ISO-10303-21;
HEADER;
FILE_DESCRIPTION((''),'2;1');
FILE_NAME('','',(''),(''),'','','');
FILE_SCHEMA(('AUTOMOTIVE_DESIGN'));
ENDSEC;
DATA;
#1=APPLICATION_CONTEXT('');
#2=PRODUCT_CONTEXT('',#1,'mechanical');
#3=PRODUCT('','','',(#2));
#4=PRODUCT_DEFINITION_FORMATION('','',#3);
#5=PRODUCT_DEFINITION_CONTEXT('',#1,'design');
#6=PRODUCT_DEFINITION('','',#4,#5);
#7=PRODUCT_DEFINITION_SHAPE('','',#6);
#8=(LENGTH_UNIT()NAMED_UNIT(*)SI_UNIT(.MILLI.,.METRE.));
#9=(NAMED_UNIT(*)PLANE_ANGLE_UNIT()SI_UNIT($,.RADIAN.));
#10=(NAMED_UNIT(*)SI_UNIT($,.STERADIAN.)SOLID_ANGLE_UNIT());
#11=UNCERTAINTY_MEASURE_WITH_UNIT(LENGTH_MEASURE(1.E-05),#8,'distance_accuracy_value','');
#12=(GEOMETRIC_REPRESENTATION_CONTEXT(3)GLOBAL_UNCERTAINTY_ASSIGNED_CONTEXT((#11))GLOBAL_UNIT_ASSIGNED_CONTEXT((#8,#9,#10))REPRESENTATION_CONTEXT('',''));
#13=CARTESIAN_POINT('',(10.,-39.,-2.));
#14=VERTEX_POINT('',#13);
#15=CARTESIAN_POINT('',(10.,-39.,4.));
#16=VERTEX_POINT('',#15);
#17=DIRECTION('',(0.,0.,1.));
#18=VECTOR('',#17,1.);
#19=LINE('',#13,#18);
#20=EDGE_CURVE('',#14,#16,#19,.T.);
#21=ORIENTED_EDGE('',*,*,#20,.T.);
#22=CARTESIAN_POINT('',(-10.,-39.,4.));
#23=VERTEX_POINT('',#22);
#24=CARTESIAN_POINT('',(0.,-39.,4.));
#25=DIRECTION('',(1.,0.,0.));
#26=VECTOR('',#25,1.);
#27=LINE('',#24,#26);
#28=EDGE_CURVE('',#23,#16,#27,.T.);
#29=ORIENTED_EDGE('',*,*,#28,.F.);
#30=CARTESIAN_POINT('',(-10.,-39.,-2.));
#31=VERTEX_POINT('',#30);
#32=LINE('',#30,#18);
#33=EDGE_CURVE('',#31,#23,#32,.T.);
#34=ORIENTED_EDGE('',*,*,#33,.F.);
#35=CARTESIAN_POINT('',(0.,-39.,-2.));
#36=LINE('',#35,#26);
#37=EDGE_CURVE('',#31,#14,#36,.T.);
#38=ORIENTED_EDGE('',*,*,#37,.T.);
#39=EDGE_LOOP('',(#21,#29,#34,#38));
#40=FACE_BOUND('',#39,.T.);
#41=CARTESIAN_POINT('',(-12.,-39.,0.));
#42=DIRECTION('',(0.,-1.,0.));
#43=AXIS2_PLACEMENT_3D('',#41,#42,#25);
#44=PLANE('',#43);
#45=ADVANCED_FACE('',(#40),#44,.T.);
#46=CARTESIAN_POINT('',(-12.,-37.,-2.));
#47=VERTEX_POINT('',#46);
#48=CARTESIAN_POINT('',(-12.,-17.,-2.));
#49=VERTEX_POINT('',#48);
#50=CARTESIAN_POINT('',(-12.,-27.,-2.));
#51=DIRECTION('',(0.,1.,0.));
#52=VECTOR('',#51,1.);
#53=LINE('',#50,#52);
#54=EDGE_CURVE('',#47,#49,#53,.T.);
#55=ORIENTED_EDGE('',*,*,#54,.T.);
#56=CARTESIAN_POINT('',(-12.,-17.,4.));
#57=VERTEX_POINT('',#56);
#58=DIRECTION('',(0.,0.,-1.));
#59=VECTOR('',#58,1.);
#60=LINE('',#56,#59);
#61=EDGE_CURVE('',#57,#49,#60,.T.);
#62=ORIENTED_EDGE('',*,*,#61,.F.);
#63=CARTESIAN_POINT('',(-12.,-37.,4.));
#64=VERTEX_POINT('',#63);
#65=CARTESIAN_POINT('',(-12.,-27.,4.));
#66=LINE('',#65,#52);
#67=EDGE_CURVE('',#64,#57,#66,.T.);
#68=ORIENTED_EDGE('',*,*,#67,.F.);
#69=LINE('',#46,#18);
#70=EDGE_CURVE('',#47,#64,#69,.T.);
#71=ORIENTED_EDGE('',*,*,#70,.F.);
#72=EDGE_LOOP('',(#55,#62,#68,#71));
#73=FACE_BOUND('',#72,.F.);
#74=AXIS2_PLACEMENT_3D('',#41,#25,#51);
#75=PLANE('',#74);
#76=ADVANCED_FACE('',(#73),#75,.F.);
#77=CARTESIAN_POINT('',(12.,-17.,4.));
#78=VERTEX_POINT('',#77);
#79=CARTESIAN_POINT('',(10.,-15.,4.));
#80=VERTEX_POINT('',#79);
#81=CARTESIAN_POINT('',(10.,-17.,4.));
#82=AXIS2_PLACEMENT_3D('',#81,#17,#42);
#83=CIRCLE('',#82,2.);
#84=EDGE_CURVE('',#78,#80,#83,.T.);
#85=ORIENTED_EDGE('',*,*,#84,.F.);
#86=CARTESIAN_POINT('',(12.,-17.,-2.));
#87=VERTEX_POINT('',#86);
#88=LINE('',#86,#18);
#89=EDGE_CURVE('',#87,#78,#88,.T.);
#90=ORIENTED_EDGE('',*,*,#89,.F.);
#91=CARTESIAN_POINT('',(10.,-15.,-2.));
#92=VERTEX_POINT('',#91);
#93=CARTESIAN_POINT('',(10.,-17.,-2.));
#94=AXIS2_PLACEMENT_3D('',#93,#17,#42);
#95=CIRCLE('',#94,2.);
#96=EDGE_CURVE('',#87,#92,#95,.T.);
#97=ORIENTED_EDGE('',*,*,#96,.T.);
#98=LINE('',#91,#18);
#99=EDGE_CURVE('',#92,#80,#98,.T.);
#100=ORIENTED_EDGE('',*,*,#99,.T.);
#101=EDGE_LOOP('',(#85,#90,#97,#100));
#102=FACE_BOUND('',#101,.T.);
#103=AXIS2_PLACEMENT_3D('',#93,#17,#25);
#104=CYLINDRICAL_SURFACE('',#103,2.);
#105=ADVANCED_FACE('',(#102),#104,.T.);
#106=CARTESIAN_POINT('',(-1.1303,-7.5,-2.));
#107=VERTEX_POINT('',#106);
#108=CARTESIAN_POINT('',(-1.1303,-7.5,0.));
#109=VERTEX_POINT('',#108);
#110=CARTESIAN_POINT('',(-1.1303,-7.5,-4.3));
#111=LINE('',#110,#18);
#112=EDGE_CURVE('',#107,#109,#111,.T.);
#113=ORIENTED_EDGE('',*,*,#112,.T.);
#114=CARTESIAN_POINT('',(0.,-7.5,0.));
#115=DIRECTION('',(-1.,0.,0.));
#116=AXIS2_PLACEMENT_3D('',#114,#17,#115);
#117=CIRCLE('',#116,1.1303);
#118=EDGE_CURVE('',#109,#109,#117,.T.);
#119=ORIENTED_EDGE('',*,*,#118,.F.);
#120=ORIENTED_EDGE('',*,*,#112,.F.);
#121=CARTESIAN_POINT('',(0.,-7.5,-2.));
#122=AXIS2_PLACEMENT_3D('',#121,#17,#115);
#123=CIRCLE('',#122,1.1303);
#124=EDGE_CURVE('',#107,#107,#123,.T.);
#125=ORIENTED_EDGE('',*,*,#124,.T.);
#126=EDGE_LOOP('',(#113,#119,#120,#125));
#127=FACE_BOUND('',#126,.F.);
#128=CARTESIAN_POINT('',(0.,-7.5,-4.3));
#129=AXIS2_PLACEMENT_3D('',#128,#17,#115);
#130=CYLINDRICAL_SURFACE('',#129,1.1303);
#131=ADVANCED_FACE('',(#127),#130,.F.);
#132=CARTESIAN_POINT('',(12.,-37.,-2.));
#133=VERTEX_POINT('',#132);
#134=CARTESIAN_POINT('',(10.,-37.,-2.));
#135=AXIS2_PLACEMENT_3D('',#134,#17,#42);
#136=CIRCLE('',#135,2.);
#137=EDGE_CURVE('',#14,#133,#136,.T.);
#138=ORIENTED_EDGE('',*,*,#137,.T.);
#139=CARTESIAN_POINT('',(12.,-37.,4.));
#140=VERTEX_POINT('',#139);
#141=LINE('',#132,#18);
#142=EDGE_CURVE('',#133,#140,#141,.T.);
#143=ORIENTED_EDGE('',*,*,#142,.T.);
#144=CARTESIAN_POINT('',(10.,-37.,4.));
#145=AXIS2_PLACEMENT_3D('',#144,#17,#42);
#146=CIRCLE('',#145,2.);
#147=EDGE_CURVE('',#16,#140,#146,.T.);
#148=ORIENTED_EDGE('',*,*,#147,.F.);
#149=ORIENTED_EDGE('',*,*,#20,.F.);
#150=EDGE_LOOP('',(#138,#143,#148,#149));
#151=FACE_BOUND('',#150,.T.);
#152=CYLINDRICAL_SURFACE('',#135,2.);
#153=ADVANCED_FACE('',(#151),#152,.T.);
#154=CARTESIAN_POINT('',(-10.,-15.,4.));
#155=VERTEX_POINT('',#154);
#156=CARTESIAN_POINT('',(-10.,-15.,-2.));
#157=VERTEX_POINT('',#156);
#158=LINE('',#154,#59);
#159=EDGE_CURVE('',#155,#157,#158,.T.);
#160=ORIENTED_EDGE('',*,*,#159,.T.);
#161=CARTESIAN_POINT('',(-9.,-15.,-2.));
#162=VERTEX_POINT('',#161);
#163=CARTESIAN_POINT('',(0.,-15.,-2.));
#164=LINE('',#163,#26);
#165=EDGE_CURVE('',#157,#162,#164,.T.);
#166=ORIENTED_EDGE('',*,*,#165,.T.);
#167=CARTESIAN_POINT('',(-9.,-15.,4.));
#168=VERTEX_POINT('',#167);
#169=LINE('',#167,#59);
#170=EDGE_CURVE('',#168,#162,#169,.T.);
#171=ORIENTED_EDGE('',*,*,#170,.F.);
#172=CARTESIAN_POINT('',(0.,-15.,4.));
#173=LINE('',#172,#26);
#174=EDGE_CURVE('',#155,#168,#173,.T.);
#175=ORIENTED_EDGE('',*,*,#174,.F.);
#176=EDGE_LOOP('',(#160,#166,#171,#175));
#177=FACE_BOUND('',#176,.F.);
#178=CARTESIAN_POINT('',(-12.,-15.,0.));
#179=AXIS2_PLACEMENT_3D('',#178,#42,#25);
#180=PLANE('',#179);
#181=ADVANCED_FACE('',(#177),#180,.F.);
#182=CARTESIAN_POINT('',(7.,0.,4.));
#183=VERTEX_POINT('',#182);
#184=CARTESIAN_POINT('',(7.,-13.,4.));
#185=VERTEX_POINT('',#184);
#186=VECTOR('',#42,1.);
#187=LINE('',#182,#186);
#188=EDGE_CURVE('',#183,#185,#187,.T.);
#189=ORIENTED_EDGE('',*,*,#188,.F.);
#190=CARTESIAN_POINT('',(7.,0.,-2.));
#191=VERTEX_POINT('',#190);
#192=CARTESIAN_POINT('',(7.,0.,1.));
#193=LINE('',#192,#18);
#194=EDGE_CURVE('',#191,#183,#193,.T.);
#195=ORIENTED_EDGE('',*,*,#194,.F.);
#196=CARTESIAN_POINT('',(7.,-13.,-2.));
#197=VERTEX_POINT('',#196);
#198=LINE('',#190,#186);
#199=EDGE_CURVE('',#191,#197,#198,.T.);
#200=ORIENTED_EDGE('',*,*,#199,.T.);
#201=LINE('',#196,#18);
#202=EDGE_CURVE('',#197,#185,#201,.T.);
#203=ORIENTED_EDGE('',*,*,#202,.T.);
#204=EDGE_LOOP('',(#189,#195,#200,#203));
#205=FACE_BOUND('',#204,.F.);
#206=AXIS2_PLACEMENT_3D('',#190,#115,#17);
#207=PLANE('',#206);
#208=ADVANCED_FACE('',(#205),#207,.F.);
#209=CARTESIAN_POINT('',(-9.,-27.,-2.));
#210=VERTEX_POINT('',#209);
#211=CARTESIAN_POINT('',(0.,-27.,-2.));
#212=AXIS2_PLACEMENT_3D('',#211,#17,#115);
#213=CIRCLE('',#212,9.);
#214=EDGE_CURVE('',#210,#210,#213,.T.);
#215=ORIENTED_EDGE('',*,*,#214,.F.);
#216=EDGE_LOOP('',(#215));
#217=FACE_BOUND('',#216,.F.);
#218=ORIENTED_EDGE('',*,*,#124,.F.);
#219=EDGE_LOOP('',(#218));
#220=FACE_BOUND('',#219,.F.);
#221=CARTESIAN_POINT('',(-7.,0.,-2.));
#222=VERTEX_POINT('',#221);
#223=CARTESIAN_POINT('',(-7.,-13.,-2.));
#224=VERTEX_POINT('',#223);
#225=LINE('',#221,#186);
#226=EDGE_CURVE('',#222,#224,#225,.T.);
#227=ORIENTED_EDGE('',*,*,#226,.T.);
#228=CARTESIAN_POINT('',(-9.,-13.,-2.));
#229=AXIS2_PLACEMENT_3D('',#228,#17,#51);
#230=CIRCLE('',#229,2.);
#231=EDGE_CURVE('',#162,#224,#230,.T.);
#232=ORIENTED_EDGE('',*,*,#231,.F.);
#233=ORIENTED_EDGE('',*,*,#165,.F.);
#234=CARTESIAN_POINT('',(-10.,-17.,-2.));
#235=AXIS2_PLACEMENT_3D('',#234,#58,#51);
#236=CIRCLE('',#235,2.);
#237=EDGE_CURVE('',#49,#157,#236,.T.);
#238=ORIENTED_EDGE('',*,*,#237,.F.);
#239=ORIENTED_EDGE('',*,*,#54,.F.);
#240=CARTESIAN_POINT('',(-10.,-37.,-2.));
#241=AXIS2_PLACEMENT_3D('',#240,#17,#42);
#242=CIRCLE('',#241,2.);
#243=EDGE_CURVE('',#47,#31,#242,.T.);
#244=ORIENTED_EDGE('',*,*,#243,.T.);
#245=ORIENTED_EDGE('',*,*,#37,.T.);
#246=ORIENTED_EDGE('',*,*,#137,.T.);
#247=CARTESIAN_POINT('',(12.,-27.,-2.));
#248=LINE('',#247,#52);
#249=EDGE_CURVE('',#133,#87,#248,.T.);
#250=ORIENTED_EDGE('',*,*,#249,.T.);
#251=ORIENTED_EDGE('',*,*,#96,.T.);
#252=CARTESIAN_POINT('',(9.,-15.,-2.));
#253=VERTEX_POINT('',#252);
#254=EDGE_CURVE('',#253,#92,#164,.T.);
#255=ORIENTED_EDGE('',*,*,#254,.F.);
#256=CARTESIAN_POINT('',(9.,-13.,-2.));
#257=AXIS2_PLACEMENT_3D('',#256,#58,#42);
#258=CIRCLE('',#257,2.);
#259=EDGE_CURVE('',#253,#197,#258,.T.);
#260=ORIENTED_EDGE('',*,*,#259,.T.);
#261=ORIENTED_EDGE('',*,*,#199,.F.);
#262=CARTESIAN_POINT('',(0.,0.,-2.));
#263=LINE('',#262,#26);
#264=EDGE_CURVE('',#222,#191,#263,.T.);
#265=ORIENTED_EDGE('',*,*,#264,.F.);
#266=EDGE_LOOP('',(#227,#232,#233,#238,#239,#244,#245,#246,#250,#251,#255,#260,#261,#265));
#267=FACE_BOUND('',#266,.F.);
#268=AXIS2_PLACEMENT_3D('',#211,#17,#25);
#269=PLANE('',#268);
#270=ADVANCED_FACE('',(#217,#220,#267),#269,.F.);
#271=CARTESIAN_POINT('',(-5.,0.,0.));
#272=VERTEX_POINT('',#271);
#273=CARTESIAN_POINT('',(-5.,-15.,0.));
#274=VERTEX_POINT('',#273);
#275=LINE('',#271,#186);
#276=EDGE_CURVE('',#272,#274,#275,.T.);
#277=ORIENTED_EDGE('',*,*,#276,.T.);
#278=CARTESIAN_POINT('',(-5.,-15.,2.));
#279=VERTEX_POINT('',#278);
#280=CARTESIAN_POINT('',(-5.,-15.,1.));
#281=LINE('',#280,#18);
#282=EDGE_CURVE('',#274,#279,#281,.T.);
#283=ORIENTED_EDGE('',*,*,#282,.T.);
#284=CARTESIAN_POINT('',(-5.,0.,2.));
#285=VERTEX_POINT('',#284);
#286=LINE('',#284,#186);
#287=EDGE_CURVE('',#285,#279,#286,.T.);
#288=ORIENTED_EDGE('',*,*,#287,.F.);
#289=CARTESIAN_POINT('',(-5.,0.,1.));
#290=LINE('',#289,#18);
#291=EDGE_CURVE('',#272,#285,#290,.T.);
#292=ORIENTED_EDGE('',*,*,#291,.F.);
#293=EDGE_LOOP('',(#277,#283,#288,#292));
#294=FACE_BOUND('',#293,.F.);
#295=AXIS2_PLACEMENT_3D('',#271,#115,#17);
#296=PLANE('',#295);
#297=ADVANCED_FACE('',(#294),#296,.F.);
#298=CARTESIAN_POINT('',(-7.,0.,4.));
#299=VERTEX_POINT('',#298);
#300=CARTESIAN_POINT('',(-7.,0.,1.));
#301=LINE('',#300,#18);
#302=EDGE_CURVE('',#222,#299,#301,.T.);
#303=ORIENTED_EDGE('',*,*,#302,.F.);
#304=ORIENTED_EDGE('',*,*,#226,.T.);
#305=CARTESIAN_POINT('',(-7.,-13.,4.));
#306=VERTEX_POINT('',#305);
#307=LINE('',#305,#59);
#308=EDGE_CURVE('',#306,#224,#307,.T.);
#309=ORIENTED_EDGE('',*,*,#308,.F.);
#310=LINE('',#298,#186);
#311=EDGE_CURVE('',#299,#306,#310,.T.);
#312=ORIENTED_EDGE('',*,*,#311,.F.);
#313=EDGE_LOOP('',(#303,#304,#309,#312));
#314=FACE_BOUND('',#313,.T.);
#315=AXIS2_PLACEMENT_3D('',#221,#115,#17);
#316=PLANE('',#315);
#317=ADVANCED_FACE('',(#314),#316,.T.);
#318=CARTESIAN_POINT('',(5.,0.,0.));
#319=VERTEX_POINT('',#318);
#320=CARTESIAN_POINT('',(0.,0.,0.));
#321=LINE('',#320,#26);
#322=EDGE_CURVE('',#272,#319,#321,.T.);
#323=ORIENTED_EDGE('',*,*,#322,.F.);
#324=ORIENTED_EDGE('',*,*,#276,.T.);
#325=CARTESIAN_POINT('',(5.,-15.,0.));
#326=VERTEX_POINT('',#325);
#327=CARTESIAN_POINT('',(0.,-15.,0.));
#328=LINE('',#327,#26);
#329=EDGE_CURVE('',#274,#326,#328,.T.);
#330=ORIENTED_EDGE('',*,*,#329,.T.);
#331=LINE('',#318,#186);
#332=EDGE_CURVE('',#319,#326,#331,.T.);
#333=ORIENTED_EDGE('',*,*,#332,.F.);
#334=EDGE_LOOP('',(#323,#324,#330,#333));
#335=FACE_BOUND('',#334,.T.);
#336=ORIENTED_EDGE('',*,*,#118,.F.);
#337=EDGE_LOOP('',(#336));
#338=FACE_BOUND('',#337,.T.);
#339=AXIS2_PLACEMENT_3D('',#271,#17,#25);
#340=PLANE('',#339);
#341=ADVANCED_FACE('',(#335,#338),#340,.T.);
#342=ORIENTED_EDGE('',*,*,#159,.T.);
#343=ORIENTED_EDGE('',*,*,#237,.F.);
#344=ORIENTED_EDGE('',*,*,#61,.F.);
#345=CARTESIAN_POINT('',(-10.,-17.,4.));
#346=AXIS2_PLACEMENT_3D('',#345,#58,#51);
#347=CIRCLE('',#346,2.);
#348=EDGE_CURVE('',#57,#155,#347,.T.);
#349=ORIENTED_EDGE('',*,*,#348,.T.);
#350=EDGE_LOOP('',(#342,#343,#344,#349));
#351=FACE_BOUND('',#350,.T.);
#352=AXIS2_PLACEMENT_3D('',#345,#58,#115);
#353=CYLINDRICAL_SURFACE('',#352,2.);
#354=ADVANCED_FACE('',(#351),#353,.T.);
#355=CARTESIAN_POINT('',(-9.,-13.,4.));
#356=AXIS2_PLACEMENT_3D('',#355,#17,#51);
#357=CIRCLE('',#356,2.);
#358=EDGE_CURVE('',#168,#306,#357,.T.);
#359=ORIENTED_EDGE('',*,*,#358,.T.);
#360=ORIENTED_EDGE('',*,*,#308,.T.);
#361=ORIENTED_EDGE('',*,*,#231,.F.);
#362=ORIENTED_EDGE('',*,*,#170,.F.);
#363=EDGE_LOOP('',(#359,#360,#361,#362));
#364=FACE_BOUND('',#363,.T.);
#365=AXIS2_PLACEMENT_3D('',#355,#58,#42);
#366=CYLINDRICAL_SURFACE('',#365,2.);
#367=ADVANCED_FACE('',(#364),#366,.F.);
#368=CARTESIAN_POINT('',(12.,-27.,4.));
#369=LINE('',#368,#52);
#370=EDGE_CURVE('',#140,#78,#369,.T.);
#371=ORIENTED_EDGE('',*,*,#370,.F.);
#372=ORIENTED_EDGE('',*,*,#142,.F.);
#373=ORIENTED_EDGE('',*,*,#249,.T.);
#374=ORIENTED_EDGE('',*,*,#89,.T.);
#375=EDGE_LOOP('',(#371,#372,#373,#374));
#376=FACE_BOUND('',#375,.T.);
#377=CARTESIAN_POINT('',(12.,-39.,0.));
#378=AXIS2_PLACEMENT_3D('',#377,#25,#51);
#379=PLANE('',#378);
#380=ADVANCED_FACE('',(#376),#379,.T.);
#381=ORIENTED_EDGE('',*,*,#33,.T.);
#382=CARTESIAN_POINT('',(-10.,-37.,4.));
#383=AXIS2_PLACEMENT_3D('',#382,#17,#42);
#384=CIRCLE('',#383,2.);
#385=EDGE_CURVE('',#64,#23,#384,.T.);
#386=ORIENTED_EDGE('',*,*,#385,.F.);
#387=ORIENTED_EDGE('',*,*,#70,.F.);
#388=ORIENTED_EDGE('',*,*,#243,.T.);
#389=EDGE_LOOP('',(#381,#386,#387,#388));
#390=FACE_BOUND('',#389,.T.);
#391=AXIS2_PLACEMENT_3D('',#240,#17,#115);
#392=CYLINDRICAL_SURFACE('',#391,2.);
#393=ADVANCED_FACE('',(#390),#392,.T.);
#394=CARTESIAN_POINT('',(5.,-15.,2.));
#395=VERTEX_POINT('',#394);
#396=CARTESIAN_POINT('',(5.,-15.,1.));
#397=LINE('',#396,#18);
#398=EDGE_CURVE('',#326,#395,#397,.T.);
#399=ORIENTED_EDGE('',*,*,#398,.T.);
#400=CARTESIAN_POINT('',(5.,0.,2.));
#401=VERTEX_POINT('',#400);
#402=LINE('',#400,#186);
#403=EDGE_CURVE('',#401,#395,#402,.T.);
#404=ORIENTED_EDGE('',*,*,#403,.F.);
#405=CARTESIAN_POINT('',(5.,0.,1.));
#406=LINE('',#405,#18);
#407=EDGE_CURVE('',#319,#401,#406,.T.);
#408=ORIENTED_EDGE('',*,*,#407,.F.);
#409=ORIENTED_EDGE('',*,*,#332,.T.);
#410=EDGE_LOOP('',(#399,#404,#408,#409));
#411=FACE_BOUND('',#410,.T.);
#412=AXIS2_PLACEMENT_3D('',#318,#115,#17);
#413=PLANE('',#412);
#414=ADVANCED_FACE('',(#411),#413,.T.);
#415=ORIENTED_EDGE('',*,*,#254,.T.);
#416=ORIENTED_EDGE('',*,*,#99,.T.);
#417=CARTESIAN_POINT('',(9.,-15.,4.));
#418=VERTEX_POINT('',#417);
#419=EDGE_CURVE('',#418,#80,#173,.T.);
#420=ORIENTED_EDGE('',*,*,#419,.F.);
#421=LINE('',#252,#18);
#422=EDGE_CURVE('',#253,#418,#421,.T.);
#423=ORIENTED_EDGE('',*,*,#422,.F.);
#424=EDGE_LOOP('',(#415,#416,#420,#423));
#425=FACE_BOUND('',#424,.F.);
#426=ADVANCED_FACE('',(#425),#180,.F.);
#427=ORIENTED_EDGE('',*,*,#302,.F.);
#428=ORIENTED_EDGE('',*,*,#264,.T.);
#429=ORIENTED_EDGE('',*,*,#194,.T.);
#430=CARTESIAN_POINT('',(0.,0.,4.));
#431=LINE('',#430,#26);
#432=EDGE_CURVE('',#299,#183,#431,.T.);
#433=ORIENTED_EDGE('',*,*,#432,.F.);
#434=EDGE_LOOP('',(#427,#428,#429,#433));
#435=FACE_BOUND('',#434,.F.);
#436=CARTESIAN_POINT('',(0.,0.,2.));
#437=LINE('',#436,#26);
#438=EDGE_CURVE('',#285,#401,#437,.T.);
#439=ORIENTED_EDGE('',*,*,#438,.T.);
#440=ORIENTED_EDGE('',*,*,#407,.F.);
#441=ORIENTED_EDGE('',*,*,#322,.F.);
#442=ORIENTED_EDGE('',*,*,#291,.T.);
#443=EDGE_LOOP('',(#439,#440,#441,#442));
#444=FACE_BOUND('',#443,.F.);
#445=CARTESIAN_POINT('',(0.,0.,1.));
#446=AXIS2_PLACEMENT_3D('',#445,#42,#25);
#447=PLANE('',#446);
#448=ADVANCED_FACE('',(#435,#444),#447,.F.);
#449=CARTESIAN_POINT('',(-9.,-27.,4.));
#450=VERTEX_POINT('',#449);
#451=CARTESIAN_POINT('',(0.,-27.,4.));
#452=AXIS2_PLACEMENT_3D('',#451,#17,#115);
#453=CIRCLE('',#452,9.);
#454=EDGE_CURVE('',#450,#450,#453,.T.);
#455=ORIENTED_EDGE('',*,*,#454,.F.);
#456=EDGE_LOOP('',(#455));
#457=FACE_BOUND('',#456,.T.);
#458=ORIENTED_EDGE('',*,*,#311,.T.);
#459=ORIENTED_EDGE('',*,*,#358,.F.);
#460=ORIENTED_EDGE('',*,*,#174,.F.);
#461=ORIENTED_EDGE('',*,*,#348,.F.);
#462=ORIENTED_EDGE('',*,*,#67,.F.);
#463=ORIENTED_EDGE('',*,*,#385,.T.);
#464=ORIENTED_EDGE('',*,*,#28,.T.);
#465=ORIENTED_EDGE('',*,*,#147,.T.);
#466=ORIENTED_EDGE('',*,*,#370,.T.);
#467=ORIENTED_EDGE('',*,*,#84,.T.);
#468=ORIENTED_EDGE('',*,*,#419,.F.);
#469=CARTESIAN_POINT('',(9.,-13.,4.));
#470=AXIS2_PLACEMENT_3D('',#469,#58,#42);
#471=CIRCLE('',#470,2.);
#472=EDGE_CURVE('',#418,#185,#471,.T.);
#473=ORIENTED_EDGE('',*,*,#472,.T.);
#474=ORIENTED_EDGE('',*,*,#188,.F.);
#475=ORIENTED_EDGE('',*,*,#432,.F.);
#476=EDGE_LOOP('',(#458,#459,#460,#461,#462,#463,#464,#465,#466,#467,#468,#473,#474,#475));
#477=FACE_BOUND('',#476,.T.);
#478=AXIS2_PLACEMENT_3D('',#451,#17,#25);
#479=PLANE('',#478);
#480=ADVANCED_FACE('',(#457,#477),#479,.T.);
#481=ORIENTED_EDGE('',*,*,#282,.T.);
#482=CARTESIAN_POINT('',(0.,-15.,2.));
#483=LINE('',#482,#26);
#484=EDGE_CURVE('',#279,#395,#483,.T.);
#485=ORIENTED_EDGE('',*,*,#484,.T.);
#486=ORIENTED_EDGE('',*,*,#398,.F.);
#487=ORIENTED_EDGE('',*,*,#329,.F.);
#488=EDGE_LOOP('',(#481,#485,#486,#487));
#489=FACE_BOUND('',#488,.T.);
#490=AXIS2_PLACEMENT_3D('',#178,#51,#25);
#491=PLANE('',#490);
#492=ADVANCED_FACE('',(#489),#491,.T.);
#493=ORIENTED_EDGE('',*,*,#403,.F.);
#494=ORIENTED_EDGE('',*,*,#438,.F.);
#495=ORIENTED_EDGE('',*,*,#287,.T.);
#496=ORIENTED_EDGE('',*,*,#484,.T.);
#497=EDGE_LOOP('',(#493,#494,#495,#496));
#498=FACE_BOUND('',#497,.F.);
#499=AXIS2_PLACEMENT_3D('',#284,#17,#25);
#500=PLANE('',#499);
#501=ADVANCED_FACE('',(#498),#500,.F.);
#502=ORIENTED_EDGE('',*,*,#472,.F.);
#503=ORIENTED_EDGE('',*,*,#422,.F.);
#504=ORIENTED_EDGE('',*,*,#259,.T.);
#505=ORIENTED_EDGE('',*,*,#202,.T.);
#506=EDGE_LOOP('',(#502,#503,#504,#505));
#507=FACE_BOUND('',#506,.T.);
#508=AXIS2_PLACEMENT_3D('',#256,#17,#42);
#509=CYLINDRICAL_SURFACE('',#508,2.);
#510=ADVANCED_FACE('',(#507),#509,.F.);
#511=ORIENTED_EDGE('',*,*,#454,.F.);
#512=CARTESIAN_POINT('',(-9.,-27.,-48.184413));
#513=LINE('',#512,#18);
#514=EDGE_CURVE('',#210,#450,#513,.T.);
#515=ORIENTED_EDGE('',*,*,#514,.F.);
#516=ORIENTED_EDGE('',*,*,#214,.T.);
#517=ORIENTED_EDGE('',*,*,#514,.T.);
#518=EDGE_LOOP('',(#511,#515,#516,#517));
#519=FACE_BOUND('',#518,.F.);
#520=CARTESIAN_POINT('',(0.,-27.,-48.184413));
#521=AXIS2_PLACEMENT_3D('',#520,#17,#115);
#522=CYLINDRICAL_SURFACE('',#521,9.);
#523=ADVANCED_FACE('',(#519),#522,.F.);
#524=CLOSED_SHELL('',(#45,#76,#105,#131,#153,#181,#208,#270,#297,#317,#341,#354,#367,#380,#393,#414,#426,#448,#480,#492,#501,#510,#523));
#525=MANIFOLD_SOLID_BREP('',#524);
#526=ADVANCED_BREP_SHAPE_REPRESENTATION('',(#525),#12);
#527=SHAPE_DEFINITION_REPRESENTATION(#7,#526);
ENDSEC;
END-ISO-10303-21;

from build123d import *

# Parameters (mm, degrees)
F0_W          = 14
F0_H          = 6
F0_W_2        = 10
F0_H_2        = 2
F1_DEPTH      = 15
F2_W          = 24
F2_H          = 24
F3_DEPTH      = 4
F3_DEPTH_BACK = 2
F5_D          = 18
F6_R          = 2
F7_D          = 2.2606
F7_DEPTH      = 2.3
F7_TIP        = 0.6791527577


with BuildPart() as f1:
    # F0 (on Front) → F1 (new body)
    with BuildSketch(Plane.XZ):
        with Locations((0, 1)):
            Rectangle(F0_W, F0_H)
        with Locations((0, 1)):
            Rectangle(F0_W_2, F0_H_2, mode=Mode.SUBTRACT)
    extrude(amount=F1_DEPTH)

    # F2 (on Top) → F3 (join, two sides)
    with BuildSketch(Plane.XY) as f3_sk:
        with Locations((0, -27)):
            Rectangle(F2_W, F2_H)
    extrude(amount=F3_DEPTH)
    extrude(f3_sk.sketch, amount=-F3_DEPTH_BACK)

    # F5 (through all)
    with Locations(Plane(origin=(0, 0, -2), x_dir=(1, 0, 0), z_dir=(0, 0, -1))):
        with Locations((0, 27)):
            Hole(F5_D / 2)

    # F6
    f6_edges = [f1.edges().sort_by_distance(p)[0] for p in [
        (12, -39, 1),
        (12, -15, 1),
        (7, -15, 1),
        (-12, -39, 1),
        (-12, -15, 1),
        (-7, -15, 1),
    ]]
    fillet(f6_edges, radius=F6_R)

    # F7
    with Locations(Plane(origin=(0, 0, -2), x_dir=(1, 0, 0), z_dir=(0, 0, -1))):
        with Locations((0, 7.5)):
            Hole(F7_D / 2, depth=F7_DEPTH)
            with Locations((0, 0, -(F7_DEPTH + F7_TIP / 2))):  # 118° drill point
                Cone(0, F7_D / 2, F7_TIP, mode=Mode.SUBTRACT)


solid = f1.part
